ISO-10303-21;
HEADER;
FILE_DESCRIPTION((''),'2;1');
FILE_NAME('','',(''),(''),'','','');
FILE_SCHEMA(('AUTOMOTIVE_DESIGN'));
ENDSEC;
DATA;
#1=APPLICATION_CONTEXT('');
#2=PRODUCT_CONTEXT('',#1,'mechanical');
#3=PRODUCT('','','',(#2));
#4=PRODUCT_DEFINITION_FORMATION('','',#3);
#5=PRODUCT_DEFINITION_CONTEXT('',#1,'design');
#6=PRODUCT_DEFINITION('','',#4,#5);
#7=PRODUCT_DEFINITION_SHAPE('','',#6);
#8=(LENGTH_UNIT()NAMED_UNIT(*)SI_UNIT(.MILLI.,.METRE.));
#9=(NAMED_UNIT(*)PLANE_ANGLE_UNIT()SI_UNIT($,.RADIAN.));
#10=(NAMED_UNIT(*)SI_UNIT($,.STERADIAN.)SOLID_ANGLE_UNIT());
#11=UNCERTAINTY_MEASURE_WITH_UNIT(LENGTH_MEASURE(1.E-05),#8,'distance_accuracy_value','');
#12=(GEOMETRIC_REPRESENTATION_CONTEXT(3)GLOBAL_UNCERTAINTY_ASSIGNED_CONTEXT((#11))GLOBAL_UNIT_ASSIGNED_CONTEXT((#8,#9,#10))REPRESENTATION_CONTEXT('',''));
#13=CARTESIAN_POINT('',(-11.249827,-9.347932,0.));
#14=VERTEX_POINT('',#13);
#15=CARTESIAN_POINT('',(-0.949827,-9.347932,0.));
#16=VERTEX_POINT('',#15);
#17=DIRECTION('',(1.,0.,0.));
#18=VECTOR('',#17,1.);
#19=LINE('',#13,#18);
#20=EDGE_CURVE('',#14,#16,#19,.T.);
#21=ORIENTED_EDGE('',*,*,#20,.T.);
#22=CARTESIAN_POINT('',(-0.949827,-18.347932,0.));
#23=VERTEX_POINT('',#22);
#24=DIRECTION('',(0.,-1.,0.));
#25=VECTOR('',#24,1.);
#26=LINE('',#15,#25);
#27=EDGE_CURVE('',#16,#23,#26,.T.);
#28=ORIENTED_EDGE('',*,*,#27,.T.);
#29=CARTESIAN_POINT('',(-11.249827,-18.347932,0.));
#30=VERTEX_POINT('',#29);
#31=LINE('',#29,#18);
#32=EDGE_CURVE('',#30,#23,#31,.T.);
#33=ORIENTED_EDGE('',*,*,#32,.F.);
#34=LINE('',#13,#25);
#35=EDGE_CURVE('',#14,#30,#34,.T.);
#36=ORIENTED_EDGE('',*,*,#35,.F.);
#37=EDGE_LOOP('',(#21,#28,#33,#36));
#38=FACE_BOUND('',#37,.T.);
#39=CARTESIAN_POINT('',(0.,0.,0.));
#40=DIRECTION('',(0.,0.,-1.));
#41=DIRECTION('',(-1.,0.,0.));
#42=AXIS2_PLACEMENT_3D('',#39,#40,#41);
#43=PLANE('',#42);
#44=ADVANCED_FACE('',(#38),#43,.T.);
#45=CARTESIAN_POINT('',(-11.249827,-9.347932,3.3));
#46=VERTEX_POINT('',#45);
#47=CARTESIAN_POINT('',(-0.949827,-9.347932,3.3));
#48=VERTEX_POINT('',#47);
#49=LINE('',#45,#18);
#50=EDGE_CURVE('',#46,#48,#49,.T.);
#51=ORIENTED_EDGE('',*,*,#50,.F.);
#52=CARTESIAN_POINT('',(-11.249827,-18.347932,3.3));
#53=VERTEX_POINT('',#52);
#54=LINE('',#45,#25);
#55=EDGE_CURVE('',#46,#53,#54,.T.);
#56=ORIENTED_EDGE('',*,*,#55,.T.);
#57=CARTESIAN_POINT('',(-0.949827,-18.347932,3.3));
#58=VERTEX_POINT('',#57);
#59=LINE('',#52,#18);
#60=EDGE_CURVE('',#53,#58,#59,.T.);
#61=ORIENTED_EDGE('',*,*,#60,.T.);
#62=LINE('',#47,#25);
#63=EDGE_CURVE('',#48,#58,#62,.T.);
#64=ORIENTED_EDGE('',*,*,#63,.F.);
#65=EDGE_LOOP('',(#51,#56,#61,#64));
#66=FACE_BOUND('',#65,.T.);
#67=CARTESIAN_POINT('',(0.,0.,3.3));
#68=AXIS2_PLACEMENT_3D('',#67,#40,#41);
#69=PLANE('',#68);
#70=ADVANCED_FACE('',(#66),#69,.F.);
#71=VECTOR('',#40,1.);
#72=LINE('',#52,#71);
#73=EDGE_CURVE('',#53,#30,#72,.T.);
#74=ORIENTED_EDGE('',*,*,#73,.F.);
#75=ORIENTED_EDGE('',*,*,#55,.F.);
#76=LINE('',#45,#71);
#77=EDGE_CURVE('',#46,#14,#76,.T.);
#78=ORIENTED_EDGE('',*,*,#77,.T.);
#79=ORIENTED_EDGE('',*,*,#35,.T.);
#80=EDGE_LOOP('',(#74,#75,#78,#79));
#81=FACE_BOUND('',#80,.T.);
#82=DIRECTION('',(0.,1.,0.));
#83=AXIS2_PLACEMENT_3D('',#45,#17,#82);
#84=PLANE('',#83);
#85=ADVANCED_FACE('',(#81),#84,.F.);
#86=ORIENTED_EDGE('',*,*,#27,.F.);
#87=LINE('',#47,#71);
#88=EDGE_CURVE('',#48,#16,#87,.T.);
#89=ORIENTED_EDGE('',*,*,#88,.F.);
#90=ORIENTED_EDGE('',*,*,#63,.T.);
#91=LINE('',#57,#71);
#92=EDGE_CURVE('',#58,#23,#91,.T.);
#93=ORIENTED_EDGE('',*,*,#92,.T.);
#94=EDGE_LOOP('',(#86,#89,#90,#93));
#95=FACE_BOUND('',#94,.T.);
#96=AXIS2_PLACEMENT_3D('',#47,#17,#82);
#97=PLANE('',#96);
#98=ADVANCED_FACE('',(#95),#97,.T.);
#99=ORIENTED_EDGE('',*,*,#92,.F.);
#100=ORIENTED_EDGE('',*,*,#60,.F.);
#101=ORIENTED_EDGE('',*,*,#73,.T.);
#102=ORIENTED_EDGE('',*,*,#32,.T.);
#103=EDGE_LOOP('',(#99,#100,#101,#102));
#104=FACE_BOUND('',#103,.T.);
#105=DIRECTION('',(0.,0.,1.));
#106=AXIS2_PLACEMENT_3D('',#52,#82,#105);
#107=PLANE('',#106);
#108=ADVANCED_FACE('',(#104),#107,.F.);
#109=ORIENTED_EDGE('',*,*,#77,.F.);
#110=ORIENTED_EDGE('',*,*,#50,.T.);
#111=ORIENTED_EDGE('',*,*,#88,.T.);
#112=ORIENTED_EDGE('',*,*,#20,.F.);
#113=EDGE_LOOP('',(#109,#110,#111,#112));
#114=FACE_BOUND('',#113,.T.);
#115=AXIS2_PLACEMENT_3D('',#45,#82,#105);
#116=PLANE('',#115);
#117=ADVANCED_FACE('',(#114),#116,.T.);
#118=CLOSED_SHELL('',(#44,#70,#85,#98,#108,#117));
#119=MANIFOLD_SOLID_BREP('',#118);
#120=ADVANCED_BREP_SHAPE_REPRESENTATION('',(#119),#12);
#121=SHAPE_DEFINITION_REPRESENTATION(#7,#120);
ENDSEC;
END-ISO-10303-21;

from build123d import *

# Parameters (mm, degrees)
SKETCH_1_W      = 10.3
SKETCH_1_H      = 9
EXTRUDE_1_DEPTH = 3.3


with BuildPart() as part:
    # Эскиз1 → Бобышка-Вытянуть1 (new body)
    with BuildSketch(Plane.XY):
        with Locations((-6.09982699, -13.847932114)):
            Rectangle(SKETCH_1_W, SKETCH_1_H)
    extrude(amount=EXTRUDE_1_DEPTH)


solid = part.part
